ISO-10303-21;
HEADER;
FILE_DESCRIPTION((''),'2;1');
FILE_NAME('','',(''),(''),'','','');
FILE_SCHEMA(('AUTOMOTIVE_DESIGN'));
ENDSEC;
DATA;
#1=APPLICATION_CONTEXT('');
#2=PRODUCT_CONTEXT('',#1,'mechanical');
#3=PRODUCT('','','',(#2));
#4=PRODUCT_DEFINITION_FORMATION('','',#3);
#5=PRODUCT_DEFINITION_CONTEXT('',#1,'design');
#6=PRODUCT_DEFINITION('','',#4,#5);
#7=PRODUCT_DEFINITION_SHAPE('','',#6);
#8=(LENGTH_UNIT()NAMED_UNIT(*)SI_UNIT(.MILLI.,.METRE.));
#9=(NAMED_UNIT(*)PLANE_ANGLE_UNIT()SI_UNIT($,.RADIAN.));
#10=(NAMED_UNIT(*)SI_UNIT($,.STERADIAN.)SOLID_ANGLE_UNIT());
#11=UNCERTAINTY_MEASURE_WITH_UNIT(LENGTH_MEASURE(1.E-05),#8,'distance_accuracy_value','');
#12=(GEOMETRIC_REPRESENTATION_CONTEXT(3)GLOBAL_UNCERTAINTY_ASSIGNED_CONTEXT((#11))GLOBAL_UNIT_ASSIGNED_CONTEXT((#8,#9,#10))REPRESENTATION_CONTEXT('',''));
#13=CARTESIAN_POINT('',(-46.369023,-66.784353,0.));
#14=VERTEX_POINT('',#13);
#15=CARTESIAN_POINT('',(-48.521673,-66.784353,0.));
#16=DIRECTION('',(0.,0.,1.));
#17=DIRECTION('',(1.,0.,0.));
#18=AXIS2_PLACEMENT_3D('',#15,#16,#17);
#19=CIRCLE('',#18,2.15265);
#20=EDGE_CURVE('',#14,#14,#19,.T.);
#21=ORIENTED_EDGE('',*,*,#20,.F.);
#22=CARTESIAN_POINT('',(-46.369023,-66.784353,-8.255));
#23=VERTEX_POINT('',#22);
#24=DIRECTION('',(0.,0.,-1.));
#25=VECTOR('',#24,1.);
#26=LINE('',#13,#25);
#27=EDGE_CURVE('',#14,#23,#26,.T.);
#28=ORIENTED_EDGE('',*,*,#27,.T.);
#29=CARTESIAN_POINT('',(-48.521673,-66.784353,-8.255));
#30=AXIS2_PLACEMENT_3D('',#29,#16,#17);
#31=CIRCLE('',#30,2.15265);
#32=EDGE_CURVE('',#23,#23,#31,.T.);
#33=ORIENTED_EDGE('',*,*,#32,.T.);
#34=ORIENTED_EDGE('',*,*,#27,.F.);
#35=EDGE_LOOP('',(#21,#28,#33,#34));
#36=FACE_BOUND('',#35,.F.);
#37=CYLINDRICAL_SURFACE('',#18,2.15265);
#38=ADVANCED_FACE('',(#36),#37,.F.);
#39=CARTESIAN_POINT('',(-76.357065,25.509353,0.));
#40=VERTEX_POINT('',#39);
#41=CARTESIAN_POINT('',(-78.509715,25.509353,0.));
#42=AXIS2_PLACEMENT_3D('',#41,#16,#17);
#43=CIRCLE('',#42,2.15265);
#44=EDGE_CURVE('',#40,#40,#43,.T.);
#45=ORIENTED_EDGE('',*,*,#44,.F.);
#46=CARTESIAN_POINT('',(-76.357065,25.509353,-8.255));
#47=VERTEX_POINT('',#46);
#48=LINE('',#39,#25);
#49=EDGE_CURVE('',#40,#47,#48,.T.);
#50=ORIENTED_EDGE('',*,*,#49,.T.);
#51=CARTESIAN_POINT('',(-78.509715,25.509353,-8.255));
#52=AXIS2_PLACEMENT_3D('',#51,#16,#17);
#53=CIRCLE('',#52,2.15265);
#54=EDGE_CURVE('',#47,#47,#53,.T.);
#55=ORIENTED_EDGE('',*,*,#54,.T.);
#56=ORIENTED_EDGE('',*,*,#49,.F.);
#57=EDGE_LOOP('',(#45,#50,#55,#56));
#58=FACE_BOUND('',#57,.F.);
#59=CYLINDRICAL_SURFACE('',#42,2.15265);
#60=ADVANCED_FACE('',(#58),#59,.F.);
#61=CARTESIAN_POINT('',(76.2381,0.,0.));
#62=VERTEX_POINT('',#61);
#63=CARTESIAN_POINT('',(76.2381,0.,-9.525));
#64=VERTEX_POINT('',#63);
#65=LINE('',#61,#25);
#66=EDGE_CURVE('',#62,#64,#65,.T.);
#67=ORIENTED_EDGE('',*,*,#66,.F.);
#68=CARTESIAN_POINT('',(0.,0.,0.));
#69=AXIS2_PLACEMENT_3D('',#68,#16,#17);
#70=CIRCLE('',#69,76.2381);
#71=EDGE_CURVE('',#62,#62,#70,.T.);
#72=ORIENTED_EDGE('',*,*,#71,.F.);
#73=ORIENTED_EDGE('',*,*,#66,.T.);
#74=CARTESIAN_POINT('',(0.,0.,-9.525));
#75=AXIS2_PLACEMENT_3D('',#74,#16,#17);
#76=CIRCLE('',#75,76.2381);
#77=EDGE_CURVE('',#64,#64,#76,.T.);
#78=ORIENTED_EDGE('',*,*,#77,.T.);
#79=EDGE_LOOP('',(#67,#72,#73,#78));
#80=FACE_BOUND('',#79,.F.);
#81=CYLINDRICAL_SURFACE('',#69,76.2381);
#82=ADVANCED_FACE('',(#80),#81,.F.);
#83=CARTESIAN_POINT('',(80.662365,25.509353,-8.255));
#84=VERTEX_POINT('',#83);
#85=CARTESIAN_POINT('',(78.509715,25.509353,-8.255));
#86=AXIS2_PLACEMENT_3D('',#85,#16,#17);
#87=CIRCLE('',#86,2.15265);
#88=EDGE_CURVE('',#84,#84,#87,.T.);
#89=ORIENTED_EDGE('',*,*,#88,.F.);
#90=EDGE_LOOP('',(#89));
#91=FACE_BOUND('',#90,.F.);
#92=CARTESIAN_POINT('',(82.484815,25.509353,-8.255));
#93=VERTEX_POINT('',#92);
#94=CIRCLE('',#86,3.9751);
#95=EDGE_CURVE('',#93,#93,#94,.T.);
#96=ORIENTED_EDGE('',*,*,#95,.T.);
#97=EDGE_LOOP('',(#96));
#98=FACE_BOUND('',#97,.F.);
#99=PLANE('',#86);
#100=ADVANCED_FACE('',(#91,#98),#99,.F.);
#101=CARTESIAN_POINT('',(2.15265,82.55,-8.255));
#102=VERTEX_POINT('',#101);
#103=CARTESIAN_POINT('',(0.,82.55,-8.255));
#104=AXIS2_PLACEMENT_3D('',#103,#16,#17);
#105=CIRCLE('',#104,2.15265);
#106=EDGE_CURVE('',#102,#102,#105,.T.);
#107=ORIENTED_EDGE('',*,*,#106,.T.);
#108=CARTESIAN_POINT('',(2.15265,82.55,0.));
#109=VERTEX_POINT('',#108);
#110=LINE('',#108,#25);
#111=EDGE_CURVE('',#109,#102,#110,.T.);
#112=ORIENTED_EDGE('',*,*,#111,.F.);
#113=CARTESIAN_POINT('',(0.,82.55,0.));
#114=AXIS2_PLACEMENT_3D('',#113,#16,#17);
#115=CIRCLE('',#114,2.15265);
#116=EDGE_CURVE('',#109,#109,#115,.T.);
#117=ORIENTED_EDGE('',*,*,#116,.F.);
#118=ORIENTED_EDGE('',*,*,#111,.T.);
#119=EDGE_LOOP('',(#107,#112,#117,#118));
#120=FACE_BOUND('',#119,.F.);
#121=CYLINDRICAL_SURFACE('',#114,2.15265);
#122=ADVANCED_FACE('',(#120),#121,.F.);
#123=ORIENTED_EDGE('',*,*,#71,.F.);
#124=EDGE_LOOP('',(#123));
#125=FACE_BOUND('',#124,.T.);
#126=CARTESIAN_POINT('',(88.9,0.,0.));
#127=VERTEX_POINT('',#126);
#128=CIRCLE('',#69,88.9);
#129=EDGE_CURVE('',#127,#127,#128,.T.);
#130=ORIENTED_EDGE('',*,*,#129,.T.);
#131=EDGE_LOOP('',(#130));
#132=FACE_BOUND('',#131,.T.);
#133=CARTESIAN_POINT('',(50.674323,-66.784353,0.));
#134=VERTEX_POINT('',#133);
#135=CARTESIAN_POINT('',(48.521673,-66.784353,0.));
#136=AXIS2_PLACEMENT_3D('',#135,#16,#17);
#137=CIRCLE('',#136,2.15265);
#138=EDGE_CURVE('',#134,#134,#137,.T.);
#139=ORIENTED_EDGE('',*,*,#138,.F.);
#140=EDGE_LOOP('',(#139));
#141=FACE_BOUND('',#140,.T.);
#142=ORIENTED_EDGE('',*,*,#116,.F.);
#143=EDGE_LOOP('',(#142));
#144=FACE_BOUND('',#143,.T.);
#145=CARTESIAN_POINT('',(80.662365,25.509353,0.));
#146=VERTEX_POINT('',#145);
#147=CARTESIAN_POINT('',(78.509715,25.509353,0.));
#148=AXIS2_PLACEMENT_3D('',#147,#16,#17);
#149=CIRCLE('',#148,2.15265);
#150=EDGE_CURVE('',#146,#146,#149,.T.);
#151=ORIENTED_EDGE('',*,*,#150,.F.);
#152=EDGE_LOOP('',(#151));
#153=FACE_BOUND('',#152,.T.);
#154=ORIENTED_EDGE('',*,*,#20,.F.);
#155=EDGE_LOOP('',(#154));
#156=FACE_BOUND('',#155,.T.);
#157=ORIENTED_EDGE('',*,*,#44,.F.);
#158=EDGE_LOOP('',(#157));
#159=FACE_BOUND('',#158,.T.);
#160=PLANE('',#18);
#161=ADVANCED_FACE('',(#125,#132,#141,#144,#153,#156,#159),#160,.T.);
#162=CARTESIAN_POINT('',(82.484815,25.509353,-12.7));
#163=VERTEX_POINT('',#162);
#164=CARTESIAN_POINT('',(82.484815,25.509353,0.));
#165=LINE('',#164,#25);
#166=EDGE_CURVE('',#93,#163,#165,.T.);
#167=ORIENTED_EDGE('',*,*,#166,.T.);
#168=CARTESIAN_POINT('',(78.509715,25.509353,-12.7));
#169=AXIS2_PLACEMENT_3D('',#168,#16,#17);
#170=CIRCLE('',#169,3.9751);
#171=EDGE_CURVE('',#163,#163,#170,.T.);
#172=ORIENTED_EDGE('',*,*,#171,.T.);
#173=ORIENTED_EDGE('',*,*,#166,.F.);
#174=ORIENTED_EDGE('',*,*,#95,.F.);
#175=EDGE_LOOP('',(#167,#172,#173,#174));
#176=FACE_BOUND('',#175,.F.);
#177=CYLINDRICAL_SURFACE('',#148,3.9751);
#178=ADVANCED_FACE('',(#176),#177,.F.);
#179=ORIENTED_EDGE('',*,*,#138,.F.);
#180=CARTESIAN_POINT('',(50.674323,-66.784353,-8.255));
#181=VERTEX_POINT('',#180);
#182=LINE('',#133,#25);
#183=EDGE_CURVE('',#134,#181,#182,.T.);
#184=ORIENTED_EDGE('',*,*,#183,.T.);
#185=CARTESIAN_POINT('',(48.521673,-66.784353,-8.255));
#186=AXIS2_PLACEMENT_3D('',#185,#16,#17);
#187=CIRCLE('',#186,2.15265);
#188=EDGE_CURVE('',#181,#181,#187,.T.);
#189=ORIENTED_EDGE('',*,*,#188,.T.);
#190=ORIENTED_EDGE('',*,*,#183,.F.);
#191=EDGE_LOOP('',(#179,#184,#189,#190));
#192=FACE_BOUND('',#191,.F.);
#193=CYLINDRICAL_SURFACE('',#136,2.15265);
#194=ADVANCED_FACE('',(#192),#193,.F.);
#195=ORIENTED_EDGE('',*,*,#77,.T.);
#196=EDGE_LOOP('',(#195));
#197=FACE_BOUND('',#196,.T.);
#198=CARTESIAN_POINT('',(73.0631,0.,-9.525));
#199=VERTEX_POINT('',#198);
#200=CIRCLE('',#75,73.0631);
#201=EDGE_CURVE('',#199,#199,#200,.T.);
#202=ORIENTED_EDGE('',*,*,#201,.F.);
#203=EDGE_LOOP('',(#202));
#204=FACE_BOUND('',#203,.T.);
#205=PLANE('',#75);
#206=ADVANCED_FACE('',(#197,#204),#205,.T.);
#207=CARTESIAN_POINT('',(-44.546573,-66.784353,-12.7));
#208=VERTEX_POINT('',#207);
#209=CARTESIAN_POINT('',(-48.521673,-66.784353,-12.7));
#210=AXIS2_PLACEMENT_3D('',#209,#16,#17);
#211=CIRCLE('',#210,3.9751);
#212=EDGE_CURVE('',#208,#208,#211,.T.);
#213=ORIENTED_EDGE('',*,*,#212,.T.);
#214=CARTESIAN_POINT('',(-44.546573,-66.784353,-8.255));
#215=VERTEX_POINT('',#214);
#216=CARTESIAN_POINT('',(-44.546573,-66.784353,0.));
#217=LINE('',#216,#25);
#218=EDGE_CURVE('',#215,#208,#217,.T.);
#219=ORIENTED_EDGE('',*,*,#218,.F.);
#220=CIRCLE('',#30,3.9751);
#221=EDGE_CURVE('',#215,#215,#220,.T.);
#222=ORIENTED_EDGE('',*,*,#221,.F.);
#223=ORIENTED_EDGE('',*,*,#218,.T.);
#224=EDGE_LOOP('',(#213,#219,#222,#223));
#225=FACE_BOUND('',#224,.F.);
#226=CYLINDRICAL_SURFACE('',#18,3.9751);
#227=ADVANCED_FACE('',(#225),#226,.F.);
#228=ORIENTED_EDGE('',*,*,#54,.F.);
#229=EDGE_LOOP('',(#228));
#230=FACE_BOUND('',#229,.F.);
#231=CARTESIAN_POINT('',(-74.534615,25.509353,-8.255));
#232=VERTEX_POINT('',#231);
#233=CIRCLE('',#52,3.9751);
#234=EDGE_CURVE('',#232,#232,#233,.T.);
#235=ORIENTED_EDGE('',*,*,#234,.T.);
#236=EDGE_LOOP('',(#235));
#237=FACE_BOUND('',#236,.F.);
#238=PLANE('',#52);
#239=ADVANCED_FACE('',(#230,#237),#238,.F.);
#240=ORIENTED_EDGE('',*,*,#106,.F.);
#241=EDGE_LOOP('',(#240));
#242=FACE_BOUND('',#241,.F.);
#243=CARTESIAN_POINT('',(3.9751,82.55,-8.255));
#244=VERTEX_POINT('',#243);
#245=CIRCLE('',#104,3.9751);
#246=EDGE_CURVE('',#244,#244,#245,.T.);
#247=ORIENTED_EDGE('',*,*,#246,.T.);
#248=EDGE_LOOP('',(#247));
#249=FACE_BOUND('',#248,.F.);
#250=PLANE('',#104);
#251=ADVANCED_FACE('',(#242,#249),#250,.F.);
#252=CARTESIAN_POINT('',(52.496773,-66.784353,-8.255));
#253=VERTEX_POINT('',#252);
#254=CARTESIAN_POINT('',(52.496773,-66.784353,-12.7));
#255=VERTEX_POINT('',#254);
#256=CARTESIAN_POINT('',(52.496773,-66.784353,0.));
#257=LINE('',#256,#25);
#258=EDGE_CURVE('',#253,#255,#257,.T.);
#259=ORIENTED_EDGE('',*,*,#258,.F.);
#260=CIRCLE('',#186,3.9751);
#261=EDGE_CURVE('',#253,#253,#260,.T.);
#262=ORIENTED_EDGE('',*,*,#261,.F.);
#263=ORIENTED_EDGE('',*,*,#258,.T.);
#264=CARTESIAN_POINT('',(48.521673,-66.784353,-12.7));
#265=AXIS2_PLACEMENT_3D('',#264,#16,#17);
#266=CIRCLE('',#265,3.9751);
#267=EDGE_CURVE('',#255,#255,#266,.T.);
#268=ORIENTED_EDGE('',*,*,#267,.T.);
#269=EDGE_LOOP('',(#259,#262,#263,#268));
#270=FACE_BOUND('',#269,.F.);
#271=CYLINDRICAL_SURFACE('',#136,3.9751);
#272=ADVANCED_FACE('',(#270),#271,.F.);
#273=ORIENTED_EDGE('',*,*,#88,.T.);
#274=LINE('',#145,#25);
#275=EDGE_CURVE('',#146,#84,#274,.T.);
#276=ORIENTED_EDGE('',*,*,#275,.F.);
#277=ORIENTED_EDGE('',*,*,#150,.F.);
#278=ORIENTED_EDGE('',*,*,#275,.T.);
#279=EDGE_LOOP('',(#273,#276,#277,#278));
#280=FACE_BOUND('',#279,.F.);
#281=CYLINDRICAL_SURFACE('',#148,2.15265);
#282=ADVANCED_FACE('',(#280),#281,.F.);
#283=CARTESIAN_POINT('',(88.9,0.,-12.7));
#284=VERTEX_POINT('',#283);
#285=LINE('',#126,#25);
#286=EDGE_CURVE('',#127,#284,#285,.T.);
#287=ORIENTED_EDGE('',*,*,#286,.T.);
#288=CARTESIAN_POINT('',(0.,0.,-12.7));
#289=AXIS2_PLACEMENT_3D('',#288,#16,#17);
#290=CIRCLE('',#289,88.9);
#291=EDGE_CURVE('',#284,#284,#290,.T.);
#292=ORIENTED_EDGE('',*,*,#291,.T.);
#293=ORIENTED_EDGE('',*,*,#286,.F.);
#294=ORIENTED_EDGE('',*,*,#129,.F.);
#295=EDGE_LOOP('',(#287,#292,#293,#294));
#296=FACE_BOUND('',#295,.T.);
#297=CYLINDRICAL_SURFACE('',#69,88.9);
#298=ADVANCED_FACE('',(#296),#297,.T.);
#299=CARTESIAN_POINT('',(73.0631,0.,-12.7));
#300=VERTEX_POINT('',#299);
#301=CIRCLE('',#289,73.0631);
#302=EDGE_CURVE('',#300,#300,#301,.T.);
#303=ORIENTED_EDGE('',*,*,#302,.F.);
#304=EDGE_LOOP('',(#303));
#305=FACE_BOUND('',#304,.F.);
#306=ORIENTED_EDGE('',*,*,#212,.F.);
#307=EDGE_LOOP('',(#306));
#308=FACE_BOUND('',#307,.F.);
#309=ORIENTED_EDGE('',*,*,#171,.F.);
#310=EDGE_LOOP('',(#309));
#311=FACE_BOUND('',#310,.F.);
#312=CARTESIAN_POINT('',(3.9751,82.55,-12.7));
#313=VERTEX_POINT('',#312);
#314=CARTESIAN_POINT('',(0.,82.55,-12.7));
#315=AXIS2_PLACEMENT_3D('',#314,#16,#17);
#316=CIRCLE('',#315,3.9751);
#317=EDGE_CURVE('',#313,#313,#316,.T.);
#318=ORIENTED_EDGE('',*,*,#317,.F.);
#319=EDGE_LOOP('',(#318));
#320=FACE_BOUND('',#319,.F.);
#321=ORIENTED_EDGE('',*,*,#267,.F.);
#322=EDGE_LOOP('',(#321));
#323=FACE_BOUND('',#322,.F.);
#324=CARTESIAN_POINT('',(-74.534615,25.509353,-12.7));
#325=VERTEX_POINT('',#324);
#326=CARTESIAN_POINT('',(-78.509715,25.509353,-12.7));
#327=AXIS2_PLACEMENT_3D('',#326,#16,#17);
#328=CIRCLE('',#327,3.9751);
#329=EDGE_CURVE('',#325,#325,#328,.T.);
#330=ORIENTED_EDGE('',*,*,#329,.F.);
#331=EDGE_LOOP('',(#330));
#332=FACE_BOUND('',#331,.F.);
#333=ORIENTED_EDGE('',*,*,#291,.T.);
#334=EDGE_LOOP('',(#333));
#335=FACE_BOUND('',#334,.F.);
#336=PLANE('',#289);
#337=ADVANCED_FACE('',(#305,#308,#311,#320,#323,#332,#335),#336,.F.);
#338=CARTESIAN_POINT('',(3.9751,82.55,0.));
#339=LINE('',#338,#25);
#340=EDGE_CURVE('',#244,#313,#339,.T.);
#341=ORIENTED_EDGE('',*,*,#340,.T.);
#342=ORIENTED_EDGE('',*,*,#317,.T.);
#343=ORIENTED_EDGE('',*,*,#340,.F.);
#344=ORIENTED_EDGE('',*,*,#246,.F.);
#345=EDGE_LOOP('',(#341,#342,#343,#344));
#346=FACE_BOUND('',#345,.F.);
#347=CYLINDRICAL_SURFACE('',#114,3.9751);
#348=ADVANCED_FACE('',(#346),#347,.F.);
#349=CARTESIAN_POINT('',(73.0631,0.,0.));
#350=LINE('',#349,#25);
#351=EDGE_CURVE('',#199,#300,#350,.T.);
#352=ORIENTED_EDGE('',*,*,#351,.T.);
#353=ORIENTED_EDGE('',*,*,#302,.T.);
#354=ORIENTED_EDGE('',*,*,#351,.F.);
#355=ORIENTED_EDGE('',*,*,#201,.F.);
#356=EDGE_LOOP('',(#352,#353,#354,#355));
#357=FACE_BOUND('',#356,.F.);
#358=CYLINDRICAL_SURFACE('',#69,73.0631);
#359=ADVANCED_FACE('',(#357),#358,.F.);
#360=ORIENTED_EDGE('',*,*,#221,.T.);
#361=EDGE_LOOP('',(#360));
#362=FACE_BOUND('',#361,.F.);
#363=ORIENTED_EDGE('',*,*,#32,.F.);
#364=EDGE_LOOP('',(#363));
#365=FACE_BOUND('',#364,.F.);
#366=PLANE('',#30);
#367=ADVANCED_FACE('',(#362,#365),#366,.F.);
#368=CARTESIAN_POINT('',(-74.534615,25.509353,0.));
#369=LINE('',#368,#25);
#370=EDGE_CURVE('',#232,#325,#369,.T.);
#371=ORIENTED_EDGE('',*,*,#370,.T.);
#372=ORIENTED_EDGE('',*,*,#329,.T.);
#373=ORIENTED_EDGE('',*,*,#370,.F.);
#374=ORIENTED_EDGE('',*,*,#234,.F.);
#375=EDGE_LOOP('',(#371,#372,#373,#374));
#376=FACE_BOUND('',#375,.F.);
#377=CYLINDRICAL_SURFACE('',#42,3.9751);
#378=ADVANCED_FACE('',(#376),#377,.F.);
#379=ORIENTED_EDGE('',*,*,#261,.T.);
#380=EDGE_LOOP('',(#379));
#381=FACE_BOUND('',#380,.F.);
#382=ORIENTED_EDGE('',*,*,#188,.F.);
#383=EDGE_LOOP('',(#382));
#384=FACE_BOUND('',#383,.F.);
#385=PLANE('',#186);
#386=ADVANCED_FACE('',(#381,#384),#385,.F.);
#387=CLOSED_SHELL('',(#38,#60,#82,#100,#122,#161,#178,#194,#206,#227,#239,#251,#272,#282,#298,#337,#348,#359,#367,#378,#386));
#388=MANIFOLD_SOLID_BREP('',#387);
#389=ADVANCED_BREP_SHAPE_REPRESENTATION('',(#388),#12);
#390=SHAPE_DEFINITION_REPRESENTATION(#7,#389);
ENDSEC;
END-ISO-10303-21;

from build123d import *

# Parameters (mm, degrees)
F0_R     = 88.9
F0_R_2   = 3.9751
F0_R_3   = 76.2381
F0_R_4   = 73.0631
F1_DEPTH = 12.7
F2_DEPTH = 9.525
F0_R_5   = 2.15265
F3_DEPTH = 8.255


with BuildPart() as f1:
    # F0 (on Top) → F1 (new body)
    with BuildSketch(Plane.XY):
        Circle(F0_R)
        with Locations((-48.521673, -66.784353)):
            Circle(F0_R_2, mode=Mode.SUBTRACT)
        with Locations((48.521673, -66.784353)):
            Circle(F0_R_2, mode=Mode.SUBTRACT)
        with Locations((-78.509715, 25.509353)):
            Circle(F0_R_2, mode=Mode.SUBTRACT)
        Circle(F0_R_3, mode=Mode.SUBTRACT)
        with Locations((78.509715, 25.509353)):
            Circle(F0_R_2, mode=Mode.SUBTRACT)
        with Locations((0, 82.55)):
            Circle(F0_R_2, mode=Mode.SUBTRACT)
        Circle(F0_R_3)
        Circle(F0_R_4, mode=Mode.SUBTRACT)
    extrude(amount=-F1_DEPTH)

    # F0 (on Top) → F2 (cut)
    with BuildSketch(Plane.XY):
        Circle(F0_R_3)
        Circle(F0_R_4, mode=Mode.SUBTRACT)
    extrude(amount=-F2_DEPTH, mode=Mode.SUBTRACT)

    # F0 (on Top) → F3 (join)
    with BuildSketch(Plane.XY):
        with Locations((-48.521673, -66.784353)):
            Circle(F0_R_2)
        with Locations((-48.521673, -66.784353)):
            Circle(F0_R_5, mode=Mode.SUBTRACT)
        with Locations((48.521673, -66.784353)):
            Circle(F0_R_2)
        with Locations((48.521673, -66.784353)):
            Circle(F0_R_5, mode=Mode.SUBTRACT)
        with Locations((78.509715, 25.509353)):
            Circle(F0_R_2)
        with Locations((78.509715, 25.509353)):
            Circle(F0_R_5, mode=Mode.SUBTRACT)
        with Locations((0, 82.55)):
            Circle(F0_R_2)
        with Locations((0, 82.55)):
            Circle(F0_R_5, mode=Mode.SUBTRACT)
        with Locations((-78.509715, 25.509353)):
            Circle(F0_R_2)
        with Locations((-78.509715, 25.509353)):
            Circle(F0_R_5, mode=Mode.SUBTRACT)
    extrude(amount=-F3_DEPTH)


solid = f1.part
